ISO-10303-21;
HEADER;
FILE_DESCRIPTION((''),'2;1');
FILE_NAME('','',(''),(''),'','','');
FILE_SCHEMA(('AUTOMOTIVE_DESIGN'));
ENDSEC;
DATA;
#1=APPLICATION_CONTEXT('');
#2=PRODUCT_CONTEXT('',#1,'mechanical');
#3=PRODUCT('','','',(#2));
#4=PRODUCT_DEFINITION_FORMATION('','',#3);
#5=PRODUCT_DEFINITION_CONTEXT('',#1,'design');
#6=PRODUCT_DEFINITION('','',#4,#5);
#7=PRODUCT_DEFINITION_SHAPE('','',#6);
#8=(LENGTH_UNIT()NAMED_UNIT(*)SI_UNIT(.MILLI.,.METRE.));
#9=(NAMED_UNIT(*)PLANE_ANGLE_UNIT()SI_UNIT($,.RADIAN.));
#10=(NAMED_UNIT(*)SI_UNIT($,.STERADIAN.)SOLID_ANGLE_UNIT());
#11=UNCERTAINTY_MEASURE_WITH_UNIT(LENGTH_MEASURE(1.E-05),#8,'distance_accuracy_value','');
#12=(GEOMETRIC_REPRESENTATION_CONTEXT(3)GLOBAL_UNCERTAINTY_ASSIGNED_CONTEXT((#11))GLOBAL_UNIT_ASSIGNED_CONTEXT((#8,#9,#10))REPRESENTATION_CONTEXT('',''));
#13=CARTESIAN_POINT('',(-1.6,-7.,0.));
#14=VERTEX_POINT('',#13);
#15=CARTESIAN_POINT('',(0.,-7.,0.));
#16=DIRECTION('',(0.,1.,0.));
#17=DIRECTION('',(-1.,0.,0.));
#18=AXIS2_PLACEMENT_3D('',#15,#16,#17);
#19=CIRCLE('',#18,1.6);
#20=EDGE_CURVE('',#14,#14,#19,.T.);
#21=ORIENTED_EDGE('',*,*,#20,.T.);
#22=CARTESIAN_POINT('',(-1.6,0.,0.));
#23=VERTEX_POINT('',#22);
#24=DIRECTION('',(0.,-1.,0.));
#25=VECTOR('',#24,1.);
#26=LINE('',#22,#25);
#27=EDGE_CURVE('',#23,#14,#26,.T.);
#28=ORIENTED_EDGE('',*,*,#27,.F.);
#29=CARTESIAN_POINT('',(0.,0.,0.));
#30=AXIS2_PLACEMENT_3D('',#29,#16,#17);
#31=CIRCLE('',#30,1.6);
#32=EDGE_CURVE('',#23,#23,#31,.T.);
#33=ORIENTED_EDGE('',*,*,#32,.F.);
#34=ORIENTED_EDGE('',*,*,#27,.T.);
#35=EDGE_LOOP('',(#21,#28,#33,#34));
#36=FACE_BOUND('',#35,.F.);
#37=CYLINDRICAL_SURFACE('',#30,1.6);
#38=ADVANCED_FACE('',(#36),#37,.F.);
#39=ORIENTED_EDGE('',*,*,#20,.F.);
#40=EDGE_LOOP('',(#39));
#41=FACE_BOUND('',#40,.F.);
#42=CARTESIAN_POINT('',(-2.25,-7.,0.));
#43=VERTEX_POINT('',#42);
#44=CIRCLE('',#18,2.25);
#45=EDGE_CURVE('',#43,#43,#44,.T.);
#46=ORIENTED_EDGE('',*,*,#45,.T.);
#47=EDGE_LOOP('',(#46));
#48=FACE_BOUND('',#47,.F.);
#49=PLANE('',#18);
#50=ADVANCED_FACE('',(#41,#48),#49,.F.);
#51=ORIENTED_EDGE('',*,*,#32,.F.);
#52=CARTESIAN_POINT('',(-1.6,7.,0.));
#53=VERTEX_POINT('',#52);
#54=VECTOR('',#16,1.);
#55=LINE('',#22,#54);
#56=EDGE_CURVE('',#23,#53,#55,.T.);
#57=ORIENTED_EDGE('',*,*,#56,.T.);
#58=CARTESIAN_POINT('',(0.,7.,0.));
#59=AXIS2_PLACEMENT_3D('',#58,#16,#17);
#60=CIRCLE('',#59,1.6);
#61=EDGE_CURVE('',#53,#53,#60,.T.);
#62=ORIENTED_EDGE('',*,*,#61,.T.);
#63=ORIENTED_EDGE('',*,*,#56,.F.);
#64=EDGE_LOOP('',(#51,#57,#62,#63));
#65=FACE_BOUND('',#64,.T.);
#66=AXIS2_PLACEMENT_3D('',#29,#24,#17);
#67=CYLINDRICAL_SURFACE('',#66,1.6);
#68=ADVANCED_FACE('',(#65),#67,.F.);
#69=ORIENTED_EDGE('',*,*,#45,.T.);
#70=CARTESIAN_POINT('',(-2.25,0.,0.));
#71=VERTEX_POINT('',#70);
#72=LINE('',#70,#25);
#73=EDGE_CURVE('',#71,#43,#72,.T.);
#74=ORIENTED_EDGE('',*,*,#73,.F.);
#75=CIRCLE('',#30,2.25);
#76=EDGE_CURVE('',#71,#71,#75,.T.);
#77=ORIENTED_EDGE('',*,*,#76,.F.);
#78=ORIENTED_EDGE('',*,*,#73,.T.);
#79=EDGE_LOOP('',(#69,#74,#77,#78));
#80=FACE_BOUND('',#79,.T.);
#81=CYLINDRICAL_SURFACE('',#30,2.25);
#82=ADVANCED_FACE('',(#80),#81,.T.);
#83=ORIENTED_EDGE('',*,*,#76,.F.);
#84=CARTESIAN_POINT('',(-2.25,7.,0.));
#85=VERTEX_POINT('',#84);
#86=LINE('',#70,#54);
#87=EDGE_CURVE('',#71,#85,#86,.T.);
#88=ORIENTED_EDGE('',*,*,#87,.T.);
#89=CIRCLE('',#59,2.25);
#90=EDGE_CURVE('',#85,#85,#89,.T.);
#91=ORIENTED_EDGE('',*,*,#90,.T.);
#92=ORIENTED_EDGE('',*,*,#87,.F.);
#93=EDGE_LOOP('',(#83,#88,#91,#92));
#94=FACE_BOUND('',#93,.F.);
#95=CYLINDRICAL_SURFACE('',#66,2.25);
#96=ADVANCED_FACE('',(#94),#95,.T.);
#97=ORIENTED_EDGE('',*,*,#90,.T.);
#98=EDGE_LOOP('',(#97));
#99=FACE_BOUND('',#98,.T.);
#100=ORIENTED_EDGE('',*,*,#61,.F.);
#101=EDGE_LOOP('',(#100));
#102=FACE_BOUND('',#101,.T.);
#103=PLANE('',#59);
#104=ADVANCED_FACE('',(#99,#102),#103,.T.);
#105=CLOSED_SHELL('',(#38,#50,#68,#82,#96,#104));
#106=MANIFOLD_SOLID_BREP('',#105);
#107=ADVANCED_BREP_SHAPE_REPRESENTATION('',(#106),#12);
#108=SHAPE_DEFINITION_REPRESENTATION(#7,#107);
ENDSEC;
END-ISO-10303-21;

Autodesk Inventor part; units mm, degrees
ref_plane "YZ Plane" through (0, 0, 0) normal (1, 0, 0) x (0, 1, 0)
ref_plane "XZ Plane" through (0, 0, 0) normal (0, 1, 0) x (-1, 0, 0)
ref_plane "XY Plane" through (0, 0, 0) normal (0, 0, 1) x (1, 0, 0)
sketch "Sketch1" plane through (0, 0, 0) normal (0, 1, 0) x (-1, 0, 0)
  circle A0 centre (0, 0) radius 2.25
  circle A1 centre (0, 0) radius 1.6
  dimension "d0" = 4.5
  dimension "d1" = 3.2
extrude "Extrusion1" add sketch "Sketch1" along normal mid plane 14
properties part number "RPS Spacer" material "Nylon 6/6"
